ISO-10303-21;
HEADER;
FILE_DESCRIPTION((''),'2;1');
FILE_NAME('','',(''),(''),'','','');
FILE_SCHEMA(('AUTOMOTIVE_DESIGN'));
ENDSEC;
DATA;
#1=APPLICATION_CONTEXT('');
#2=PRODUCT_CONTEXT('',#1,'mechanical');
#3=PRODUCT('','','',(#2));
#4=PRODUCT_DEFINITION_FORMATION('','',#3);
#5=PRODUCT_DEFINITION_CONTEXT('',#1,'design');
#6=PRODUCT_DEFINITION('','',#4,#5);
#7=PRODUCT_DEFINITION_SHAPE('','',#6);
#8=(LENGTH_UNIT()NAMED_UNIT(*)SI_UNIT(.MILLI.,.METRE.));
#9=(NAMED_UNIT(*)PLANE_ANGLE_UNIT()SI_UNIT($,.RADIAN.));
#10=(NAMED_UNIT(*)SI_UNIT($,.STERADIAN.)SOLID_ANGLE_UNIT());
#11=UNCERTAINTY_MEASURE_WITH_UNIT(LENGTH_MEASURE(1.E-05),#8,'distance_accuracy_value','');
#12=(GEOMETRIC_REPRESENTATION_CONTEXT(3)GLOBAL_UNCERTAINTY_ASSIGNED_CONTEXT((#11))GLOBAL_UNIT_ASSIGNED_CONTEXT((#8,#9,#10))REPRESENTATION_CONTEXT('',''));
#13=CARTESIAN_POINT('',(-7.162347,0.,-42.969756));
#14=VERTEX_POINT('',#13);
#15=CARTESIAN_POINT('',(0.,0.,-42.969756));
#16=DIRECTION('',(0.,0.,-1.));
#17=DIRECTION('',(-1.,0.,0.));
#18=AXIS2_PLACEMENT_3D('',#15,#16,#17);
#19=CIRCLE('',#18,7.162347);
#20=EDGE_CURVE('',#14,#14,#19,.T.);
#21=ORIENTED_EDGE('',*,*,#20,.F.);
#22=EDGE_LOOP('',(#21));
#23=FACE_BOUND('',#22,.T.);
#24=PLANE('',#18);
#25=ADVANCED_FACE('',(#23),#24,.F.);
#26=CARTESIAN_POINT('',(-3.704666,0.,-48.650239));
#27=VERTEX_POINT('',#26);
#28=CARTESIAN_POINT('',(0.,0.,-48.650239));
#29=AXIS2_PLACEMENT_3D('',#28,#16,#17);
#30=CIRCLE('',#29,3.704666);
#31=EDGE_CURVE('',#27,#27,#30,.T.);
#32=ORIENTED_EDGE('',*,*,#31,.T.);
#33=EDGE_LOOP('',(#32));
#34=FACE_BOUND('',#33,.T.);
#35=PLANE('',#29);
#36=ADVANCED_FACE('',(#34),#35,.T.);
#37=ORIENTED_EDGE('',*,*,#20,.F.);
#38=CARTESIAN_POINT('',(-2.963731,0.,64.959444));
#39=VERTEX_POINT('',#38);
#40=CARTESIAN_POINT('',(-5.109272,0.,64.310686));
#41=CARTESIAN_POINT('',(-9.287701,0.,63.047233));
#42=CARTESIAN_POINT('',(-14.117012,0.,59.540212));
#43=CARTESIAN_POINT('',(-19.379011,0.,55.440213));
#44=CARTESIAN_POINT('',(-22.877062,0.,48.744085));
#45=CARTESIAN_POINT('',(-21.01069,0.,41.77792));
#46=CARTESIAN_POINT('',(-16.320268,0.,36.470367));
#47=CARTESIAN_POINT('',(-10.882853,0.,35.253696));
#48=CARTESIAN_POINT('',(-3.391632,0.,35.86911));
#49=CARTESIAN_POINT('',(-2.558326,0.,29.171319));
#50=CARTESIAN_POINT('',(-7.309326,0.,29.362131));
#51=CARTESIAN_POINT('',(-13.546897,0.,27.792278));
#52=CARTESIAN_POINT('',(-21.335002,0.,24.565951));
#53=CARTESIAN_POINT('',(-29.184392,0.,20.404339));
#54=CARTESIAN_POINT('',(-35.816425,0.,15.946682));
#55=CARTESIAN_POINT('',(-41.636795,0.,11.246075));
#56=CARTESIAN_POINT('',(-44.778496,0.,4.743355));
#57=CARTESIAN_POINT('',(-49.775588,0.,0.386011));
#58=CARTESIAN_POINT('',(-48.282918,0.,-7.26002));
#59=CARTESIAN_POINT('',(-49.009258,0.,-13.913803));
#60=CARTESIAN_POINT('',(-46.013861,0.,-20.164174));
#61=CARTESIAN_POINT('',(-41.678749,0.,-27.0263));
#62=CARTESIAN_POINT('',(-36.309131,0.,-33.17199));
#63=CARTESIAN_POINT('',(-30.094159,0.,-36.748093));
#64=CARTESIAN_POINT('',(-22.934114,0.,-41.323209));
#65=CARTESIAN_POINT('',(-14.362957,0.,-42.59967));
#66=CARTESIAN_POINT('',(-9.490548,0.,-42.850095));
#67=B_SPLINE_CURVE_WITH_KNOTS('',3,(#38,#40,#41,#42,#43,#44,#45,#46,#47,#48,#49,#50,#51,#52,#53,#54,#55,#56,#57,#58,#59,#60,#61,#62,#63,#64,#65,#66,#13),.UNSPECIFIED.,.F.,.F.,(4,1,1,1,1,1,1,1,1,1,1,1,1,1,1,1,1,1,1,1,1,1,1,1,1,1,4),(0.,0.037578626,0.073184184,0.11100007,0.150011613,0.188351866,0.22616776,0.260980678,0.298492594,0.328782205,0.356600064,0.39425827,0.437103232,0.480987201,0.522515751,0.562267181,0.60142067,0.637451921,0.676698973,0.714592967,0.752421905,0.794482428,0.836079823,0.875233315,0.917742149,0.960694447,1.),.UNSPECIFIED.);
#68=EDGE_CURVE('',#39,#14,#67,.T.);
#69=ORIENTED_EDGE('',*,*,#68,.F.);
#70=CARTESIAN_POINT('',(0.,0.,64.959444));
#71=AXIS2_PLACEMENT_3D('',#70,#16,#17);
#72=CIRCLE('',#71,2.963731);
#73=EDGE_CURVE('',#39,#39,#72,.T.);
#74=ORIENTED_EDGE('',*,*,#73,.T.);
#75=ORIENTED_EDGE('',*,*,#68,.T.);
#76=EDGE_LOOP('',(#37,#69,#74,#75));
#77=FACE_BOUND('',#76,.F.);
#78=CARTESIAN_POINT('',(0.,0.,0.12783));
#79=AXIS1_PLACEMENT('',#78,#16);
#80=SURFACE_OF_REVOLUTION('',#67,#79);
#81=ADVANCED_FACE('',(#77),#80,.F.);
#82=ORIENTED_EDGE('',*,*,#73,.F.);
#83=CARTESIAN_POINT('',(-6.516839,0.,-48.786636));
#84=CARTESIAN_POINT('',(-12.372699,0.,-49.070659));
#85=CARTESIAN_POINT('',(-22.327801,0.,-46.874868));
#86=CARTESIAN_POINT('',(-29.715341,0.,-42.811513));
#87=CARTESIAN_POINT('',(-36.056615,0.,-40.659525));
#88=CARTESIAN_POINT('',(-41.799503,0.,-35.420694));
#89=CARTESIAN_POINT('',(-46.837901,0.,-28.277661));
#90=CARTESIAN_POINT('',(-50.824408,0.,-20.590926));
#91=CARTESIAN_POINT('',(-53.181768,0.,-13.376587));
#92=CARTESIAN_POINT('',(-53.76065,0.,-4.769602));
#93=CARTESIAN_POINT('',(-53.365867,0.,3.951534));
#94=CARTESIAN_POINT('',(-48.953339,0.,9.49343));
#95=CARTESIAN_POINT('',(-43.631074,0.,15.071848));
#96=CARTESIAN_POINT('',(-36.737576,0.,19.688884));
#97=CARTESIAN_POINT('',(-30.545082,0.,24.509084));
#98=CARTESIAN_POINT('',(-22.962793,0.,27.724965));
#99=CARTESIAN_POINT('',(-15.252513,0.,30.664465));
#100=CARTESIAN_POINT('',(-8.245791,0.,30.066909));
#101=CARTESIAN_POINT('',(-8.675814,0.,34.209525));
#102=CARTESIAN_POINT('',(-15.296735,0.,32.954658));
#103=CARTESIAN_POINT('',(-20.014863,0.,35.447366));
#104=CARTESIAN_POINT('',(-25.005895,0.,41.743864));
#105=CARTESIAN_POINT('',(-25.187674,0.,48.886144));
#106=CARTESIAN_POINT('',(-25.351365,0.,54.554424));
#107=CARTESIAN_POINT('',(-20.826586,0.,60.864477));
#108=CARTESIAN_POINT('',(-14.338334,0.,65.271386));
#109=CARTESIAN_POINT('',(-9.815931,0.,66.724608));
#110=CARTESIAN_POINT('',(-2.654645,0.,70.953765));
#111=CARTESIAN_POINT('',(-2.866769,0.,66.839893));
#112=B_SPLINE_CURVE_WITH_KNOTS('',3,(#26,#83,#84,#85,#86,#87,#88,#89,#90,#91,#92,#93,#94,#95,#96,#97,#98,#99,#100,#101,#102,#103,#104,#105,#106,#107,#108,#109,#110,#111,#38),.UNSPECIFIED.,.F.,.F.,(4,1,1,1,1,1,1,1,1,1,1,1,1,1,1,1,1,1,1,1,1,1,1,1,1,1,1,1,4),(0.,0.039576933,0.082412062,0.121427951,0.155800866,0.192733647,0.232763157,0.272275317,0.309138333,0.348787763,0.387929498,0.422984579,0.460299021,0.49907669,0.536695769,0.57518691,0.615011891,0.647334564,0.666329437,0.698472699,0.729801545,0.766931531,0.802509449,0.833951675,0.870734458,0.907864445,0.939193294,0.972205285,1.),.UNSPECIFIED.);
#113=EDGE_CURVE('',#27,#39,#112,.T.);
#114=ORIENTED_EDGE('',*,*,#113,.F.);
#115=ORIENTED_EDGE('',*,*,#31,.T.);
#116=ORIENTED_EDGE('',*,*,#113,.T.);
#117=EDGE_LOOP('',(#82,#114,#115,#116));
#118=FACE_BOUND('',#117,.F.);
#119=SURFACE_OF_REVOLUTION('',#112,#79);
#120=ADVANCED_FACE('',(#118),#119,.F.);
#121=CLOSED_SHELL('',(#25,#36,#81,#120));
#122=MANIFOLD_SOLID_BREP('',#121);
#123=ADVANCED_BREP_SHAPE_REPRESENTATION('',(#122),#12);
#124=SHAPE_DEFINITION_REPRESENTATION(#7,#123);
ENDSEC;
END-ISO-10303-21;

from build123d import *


with BuildPart() as f1:
    # F0 (on Front) → F1 (revolve)
    with BuildSketch(Plane.XZ):
        with BuildLine():
            Line((0, -48.650238663), (0, -42.9697558284))
            Line((0, -42.9697558284), (-7.162347436, -42.9697558284))
            add(Edge.make_bspline(
                [(-2.9637310654, 64.9594441056), (-5.1092717231, 64.3106859449), (-9.2877012785, 63.0472327153), (-14.1170116118, 59.540211813), (-19.3790109379, 55.4402134523), (-22.8770621451, 48.7440853716), (-21.0106904793, 41.7779198256), (-16.3202679889, 36.4703674929), (-10.8828529813, 35.2536961722), (-3.3916316797, 35.8691101247), (-2.5583255739, 29.1713192455), (-7.3093259713, 29.3621305916), (-13.5468967049, 27.792277703), (-21.3350016677, 24.5659510285), (-29.1843917461, 20.4043394851), (-35.816424698, 15.9466819621), (-41.6367947769, 11.2460747247), (-44.7784958946, 4.7433554049), (-49.7755883407, 0.3860107467), (-48.2829176344, -7.2600201409), (-49.0092578145, -13.9138027344), (-46.0138609899, -20.1641744998), (-41.6787485574, -27.0262998709), (-36.3091309606, -33.1719901705), (-30.0941589696, -36.7480925409), (-22.9341143337, -41.3232092438), (-14.3629573034, -42.5996703474), (-9.4905477181, -42.8500946973), (-7.162347436, -42.9697558284)],
                knots=[0, 0, 0, 0, 0.0375786264, 0.0731841845, 0.1110000696, 0.1500116125, 0.1883518658, 0.2261677599, 0.2609806783, 0.298492594, 0.3287822052, 0.3566000636, 0.3942582702, 0.4371032315, 0.480987201, 0.5225157507, 0.5622671814, 0.6014206699, 0.6374519208, 0.6766989727, 0.7145929668, 0.7524219046, 0.7944824285, 0.8360798233, 0.8752333154, 0.9177421493, 0.9606944474, 1, 1, 1, 1], degree=3))
            add(Edge.make_bspline(
                [(-3.7046659272, -48.650238663), (-6.5168389345, -48.7866358164), (-12.3726988315, -49.0706591035), (-22.3278007894, -46.874868188), (-29.7153411098, -42.8115125088), (-36.0566147843, -40.659525268), (-41.7995034689, -35.4206941157), (-46.837900776, -28.2776614189), (-50.8244084676, -20.590925943), (-53.1817678728, -13.3765873148), (-53.7606501751, -4.7696017761), (-53.3658673087, 3.9515335797), (-48.9533387818, 9.4934303838), (-43.6310742953, 15.071847815), (-36.7375760675, 19.6888841874), (-30.5450824843, 24.5090838531), (-22.9627926408, 27.7249652798), (-15.2525132495, 30.6644649112), (-8.2457913697, 30.0669086631), (-8.6758137954, 34.2095250309), (-15.2967348928, 32.9546579907), (-20.0148630431, 35.4473656312), (-25.0058947917, 41.7438643829), (-25.1876736848, 48.8861438866), (-25.3513653307, 54.554423752), (-20.8265861719, 60.8644767073), (-14.3383342941, 65.2713855378), (-9.81593075, 66.7246082728), (-2.6546451957, 70.9537645592), (-2.8667692615, 66.8398928144), (-2.9637310654, 64.9594441056)],
                knots=[0, 0, 0, 0, 0.0395769332, 0.0824120618, 0.1214279507, 0.1558008664, 0.1927336472, 0.2327631572, 0.2722753168, 0.3091383326, 0.3487877627, 0.3879294982, 0.4229845793, 0.4602990214, 0.4990766905, 0.5366957691, 0.5751869104, 0.615011891, 0.6473345639, 0.6663294368, 0.6984726987, 0.7298015454, 0.7669315313, 0.8025094491, 0.8339516754, 0.8707344575, 0.907864445, 0.9391932941, 0.9722052853, 1, 1, 1, 1], degree=3))
            Line((-3.7046659272, -48.650238663), (0, -48.650238663))
        make_face()
    revolve(axis=Axis((0, 0, 0.1278296113), (0, 0, -1)))


solid = f1.part
